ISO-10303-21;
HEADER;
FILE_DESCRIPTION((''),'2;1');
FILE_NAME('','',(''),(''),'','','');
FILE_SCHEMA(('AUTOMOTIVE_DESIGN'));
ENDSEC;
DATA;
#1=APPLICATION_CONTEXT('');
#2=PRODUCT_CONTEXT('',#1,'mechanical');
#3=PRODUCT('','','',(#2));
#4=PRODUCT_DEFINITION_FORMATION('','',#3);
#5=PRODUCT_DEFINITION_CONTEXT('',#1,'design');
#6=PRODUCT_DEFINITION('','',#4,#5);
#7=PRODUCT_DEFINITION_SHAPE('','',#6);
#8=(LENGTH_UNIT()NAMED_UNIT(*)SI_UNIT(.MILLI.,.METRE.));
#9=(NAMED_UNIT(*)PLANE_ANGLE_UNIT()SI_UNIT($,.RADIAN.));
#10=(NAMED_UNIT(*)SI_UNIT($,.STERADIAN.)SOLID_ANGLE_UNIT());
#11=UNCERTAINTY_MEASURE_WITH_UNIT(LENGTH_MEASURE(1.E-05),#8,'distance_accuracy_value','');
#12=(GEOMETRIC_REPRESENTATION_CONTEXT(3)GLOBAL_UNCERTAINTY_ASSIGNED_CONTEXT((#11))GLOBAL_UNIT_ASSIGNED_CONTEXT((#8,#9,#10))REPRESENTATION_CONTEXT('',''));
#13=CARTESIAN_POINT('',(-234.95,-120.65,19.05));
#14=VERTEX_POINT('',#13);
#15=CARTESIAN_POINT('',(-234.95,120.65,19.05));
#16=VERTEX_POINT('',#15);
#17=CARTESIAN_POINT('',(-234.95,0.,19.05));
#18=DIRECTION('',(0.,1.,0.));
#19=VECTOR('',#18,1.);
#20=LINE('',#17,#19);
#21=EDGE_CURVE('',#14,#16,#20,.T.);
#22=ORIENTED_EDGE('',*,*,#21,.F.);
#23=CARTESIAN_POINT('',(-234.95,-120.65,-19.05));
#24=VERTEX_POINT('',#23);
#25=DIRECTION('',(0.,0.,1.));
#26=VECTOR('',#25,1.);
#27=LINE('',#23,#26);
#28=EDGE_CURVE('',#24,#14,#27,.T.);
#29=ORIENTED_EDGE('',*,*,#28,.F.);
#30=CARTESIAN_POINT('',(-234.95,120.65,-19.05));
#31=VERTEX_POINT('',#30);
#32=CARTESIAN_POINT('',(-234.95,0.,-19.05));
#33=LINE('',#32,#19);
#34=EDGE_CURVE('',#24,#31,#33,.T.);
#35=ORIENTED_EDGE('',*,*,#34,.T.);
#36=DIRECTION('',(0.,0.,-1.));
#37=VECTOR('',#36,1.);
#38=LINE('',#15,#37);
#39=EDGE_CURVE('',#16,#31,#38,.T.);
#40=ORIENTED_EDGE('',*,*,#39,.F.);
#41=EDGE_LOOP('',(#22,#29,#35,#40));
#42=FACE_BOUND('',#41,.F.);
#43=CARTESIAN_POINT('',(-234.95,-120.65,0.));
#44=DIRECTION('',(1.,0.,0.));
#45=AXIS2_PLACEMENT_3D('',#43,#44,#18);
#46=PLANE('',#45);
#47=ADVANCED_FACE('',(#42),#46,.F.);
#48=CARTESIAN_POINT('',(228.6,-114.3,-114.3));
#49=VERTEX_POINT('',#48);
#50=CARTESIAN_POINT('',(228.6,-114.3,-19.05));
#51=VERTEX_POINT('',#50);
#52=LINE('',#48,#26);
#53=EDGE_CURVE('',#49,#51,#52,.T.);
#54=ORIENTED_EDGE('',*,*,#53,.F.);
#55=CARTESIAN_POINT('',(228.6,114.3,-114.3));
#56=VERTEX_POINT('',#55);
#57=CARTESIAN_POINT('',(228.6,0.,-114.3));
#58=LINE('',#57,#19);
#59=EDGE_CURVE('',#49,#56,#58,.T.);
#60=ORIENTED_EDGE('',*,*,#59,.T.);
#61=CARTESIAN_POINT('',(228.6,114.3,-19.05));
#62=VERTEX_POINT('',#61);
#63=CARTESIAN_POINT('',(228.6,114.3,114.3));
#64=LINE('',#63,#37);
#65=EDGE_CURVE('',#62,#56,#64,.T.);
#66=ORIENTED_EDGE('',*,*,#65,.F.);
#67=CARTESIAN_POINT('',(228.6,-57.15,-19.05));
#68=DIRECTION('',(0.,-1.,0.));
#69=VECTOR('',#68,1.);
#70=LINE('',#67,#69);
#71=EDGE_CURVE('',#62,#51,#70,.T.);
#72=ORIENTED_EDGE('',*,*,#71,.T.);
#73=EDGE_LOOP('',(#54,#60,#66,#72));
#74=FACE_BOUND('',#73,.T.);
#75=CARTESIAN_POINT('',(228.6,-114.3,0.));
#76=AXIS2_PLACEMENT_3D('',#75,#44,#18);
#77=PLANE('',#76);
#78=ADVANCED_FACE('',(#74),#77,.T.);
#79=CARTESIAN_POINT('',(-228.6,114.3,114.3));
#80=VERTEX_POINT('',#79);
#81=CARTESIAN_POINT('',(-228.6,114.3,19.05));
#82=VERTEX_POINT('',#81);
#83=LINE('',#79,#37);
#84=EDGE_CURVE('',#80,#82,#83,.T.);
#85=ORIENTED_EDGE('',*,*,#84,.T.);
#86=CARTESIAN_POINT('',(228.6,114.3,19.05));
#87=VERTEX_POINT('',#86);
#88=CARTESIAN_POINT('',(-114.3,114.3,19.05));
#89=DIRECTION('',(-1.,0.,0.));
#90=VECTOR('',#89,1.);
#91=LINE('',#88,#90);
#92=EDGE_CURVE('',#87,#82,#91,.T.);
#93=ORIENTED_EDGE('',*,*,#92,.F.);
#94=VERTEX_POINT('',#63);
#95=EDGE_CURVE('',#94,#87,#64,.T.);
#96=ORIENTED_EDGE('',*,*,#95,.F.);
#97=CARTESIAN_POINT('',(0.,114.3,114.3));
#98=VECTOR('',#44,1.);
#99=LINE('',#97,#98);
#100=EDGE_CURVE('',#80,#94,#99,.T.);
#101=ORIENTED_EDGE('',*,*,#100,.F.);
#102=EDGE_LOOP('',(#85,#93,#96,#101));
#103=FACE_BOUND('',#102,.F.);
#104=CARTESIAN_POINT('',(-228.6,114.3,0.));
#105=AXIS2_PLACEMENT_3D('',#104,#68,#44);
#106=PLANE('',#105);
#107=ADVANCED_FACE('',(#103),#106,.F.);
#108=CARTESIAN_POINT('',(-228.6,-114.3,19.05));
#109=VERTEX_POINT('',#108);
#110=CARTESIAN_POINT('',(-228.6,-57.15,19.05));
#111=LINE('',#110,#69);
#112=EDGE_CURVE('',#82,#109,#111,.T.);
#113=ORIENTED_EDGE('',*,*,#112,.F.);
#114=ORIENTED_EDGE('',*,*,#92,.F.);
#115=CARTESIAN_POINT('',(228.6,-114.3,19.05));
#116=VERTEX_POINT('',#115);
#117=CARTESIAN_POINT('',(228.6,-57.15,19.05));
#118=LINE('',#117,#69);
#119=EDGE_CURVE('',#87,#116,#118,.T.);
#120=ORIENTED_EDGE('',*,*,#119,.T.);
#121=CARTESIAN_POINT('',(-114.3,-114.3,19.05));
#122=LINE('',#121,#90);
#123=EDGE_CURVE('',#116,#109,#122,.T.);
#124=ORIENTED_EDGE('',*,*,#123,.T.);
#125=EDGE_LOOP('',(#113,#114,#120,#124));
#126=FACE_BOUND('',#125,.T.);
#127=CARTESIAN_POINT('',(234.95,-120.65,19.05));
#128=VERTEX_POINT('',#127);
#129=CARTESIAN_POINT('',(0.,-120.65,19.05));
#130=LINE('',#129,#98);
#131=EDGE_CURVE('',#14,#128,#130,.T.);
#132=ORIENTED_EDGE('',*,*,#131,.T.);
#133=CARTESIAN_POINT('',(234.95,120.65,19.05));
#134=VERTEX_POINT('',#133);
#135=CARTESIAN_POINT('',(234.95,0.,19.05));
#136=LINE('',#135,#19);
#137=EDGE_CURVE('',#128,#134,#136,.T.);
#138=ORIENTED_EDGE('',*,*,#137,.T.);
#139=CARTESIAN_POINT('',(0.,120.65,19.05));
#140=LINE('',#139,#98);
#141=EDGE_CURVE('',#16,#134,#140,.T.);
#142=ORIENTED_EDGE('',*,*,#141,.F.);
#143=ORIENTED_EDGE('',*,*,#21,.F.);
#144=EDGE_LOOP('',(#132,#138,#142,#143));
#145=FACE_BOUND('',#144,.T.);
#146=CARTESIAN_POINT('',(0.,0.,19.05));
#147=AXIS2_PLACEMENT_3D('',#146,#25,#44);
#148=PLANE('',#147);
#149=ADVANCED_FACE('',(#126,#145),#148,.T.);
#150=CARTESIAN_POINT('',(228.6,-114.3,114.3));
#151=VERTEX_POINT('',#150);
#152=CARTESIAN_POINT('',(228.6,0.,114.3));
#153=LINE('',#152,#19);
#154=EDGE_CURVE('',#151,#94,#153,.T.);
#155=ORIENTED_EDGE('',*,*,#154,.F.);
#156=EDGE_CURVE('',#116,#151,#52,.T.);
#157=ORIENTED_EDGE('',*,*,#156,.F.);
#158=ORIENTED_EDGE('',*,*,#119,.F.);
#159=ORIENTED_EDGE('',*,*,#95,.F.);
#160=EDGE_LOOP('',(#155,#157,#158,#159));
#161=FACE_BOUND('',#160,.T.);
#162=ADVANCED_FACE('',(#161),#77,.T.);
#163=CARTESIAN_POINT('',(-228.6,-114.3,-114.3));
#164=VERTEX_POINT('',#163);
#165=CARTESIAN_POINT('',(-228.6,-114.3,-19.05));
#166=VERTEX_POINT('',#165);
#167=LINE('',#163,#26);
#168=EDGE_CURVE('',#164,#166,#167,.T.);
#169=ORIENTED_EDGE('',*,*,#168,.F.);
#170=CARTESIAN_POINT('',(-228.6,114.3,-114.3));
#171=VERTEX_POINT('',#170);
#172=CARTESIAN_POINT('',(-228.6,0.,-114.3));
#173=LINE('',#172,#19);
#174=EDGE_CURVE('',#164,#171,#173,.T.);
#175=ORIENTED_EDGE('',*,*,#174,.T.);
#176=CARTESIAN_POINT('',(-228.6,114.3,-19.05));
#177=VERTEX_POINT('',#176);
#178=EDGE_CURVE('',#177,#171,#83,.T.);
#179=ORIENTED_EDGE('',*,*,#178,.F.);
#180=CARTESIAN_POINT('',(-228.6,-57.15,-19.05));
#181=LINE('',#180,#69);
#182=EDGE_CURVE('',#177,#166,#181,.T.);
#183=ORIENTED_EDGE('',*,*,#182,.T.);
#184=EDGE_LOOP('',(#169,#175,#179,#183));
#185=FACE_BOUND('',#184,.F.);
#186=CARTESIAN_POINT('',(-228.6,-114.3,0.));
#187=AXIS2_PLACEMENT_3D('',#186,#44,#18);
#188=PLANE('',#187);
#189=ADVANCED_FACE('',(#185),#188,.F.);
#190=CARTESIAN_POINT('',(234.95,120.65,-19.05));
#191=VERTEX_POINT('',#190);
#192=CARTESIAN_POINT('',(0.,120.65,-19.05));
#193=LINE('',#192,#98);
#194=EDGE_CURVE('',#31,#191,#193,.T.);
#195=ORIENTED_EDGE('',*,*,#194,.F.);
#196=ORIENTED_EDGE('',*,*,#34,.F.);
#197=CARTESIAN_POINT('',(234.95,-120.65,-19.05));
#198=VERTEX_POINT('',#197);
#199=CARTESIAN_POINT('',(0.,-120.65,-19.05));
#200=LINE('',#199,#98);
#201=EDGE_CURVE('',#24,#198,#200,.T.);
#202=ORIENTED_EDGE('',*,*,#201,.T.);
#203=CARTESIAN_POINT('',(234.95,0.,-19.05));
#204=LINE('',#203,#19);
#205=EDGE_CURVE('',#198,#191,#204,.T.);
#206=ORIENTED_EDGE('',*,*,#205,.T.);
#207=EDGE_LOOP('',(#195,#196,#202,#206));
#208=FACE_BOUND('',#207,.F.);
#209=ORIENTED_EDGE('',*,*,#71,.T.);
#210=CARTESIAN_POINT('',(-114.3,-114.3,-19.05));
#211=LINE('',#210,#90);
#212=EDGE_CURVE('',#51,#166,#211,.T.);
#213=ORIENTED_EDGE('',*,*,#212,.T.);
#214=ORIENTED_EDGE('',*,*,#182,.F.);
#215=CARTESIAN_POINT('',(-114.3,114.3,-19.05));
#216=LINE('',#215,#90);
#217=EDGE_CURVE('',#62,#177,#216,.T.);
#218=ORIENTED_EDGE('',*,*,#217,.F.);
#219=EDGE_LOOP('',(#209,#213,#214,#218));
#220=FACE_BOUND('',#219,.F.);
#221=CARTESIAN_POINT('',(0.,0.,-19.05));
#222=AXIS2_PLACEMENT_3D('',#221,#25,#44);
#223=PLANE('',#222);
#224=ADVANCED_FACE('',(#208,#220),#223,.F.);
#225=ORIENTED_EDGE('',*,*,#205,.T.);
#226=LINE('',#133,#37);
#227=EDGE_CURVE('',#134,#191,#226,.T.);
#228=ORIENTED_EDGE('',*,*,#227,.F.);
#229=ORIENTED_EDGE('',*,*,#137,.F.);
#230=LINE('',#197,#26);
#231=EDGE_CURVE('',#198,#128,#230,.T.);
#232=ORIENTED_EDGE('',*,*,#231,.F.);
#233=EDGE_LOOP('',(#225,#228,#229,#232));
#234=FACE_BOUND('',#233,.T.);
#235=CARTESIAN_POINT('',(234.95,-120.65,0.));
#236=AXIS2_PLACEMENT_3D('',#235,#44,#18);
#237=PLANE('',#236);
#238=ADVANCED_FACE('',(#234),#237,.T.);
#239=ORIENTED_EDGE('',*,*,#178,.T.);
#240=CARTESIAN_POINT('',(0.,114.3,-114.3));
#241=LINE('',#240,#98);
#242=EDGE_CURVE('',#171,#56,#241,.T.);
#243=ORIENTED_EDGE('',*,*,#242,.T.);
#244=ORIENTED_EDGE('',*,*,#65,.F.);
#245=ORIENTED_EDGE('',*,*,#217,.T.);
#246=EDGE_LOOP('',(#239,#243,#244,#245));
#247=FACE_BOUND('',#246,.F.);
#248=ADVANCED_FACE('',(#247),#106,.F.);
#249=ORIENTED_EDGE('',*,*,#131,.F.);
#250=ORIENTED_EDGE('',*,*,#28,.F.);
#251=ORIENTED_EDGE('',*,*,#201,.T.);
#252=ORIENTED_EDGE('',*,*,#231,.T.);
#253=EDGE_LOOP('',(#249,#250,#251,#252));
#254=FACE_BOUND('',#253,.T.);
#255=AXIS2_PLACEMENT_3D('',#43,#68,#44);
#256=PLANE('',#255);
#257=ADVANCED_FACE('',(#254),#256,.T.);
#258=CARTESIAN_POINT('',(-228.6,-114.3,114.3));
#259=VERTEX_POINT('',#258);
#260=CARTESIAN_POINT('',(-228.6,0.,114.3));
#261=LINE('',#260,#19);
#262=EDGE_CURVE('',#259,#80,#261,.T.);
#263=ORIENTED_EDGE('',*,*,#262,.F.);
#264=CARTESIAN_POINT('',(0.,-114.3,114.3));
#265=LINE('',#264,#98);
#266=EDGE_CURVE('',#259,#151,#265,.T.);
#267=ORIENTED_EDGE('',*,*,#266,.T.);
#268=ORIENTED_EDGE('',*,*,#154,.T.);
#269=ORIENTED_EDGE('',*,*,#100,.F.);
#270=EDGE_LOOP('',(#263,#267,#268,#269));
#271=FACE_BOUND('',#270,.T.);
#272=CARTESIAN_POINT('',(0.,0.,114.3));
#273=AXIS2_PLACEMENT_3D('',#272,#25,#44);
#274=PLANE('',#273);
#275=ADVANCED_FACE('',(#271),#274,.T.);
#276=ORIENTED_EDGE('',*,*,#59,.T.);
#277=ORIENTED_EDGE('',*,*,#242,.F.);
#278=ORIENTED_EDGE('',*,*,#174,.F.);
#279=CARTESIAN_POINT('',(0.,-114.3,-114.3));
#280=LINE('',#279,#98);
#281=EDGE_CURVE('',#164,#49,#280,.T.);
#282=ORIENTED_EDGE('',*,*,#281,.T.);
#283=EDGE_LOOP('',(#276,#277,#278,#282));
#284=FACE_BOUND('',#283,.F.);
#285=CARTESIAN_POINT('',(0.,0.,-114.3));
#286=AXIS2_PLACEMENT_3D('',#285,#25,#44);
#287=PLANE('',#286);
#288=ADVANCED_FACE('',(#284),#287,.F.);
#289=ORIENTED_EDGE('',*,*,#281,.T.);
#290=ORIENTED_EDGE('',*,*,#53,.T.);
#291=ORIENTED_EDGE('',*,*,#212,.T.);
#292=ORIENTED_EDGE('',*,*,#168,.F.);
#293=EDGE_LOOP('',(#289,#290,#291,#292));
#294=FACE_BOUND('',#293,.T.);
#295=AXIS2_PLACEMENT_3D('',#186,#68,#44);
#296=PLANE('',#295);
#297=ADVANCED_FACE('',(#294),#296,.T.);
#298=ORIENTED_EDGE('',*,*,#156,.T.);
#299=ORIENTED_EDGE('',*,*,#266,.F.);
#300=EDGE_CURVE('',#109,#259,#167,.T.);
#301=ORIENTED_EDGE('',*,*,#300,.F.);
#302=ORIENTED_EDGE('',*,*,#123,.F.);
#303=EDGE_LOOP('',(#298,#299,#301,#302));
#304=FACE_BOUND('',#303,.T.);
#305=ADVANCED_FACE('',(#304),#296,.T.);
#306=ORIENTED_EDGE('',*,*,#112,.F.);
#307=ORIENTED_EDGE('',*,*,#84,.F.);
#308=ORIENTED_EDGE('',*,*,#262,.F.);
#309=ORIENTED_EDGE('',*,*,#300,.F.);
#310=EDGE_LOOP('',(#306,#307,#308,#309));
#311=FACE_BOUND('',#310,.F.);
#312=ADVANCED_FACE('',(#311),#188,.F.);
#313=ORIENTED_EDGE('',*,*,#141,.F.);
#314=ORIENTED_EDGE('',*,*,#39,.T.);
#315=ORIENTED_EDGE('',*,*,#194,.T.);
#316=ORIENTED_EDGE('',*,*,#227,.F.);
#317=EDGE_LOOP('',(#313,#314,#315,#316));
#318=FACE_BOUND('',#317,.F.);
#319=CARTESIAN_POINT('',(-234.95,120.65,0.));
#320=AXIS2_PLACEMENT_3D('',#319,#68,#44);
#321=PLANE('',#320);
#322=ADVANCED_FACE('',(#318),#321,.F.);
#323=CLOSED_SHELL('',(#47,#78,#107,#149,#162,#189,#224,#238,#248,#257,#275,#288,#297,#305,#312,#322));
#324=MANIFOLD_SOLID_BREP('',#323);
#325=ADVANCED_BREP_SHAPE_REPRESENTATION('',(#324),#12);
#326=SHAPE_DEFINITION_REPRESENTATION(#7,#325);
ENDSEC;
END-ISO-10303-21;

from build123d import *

# Parameters (mm, degrees)
F0_W     = 457.2
F0_H     = 228.6
F1_DEPTH = 114.3
F2_W     = 469.9
F2_H     = 241.3
F3_DEPTH = 19.05


with BuildPart() as f1:
    # F0 (on Top) → F1 (new body, symmetric)
    with BuildSketch(Plane.XY):
        Rectangle(F0_W, F0_H)
    extrude(amount=F1_DEPTH, both=True)

    # F2 (on Top) → F3 (join, symmetric)
    with BuildSketch(Plane.XY):
        Rectangle(F2_W, F2_H)
    extrude(amount=F3_DEPTH, both=True)


solid = f1.part
